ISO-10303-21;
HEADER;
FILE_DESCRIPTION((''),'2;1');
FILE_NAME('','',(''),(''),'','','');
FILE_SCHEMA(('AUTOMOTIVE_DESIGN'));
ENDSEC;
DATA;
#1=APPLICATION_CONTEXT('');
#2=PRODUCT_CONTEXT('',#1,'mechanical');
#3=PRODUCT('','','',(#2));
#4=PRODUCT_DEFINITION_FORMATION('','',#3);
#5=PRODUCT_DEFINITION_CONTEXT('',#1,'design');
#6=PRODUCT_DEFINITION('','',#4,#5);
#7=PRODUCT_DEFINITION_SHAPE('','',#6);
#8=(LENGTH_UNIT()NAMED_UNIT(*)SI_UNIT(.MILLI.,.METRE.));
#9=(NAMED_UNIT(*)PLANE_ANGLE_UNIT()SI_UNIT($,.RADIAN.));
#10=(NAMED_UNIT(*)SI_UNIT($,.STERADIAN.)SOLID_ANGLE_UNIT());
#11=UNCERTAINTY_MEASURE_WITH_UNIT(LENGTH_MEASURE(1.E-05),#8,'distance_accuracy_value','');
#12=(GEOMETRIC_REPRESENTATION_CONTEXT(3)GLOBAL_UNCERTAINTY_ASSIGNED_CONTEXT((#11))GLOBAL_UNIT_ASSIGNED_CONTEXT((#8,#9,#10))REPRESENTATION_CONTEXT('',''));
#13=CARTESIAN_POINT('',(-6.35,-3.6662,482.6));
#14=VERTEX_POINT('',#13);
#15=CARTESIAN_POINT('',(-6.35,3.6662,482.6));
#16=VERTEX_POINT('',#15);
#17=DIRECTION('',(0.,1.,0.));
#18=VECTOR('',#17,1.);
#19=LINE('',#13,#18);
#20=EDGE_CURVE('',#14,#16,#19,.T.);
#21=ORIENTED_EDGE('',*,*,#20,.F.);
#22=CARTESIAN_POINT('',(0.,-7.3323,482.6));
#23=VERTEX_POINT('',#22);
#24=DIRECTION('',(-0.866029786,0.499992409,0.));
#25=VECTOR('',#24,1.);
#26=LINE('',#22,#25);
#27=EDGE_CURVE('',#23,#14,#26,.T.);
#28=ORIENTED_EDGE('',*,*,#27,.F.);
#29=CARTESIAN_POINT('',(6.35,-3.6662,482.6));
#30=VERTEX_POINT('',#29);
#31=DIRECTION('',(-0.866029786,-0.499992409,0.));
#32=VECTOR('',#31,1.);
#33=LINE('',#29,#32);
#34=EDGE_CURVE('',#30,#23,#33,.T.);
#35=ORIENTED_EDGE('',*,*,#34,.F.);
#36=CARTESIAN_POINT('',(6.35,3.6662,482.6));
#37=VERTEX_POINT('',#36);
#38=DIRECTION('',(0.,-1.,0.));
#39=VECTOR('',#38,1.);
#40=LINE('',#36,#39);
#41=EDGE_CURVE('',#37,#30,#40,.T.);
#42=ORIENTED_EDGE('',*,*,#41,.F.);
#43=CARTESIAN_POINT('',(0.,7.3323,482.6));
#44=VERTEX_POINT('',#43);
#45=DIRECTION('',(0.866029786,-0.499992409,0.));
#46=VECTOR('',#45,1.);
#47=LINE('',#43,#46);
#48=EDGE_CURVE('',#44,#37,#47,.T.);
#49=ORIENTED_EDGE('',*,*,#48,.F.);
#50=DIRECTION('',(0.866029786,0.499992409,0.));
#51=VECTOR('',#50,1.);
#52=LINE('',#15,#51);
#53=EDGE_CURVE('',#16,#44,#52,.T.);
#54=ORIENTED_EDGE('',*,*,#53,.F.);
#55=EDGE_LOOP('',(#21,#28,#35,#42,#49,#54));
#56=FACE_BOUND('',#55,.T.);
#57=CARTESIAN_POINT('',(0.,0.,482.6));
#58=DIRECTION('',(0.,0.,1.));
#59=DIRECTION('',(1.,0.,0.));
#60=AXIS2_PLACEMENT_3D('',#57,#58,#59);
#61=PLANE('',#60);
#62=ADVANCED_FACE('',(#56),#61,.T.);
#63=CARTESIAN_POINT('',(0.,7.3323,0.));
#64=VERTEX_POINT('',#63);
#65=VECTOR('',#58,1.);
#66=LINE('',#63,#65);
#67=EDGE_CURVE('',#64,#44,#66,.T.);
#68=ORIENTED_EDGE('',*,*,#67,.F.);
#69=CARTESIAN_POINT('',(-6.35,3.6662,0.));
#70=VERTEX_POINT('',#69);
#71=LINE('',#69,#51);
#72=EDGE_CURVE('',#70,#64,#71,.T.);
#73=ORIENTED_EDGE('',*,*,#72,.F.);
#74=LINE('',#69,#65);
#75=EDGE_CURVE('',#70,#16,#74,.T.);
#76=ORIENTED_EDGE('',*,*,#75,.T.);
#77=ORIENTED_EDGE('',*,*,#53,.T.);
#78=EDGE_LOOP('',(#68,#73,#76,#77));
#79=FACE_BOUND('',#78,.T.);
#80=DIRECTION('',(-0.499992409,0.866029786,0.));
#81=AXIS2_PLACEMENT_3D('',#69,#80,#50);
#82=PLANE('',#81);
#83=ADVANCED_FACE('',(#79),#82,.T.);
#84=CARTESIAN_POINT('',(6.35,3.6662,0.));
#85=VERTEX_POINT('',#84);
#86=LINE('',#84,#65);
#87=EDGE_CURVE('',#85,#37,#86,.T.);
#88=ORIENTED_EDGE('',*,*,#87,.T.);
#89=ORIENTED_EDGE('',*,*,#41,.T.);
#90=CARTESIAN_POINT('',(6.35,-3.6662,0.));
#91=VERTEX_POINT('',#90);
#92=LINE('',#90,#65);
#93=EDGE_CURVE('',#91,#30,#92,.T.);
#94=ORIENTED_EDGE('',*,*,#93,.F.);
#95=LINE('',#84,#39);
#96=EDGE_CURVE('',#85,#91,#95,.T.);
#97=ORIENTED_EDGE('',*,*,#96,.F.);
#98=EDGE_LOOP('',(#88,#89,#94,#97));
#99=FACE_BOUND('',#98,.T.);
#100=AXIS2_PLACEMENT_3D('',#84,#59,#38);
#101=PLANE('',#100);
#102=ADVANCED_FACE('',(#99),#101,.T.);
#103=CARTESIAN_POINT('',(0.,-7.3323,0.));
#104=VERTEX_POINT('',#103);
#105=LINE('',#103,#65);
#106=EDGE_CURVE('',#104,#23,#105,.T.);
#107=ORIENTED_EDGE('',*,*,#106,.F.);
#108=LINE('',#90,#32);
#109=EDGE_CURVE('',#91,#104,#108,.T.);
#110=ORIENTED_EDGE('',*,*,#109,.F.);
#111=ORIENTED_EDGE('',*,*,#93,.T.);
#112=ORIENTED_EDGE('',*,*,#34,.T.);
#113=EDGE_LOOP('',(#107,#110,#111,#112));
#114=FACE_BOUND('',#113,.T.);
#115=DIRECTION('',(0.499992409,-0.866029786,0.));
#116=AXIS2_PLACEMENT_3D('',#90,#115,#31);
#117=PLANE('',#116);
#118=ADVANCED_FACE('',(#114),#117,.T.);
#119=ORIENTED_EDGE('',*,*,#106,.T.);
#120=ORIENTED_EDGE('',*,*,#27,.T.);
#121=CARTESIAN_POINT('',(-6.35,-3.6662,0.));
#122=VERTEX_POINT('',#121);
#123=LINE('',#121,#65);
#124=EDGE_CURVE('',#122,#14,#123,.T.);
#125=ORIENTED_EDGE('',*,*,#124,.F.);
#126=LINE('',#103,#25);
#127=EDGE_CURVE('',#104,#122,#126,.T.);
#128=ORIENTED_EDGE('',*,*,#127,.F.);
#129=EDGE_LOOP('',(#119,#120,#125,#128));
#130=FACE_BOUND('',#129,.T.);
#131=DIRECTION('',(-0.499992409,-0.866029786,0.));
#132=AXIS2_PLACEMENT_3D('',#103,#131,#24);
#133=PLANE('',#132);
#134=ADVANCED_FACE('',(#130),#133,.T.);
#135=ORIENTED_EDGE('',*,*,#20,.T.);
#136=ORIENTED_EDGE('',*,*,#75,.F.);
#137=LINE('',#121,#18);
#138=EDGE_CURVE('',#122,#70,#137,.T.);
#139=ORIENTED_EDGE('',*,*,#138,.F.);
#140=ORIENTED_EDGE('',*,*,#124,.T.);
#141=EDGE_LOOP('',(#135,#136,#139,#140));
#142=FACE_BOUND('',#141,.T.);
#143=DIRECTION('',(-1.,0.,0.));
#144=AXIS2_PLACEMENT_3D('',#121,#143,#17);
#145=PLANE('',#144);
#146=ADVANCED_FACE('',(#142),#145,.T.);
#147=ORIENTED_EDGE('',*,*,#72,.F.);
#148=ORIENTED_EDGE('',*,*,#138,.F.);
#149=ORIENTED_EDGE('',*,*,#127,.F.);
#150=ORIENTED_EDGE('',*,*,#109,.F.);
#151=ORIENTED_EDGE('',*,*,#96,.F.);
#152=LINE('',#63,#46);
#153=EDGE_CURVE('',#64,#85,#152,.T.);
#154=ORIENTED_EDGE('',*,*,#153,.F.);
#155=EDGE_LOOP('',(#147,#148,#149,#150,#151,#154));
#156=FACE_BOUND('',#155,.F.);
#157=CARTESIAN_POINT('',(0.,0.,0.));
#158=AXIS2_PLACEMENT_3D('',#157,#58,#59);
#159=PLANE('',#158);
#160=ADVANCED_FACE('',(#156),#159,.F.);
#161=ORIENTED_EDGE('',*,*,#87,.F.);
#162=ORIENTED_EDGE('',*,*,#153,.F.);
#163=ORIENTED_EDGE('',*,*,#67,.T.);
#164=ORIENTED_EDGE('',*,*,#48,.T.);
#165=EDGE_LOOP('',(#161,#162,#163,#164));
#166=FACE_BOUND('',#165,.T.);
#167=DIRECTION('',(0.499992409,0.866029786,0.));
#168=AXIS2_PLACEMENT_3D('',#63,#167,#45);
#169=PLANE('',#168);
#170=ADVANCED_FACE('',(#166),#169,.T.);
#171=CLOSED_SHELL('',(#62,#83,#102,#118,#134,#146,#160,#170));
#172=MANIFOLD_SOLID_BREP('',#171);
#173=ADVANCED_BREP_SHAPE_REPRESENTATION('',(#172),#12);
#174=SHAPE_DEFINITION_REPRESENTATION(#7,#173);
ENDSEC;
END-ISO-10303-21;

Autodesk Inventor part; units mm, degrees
ref_plane "YZ Plane" through (0, 0, 0) normal (1, 0, 0) x (0, 1, 0)
ref_plane "XZ Plane" through (0, 0, 0) normal (0, 1, 0) x (-1, 0, 0)
ref_plane "XY Plane" through (0, 0, 0) normal (0, 0, 1) x (1, 0, 0)
sketch "Sketch1" plane through (0, 0, 0) normal (0, 0, 1) x (1, 0, 0)
  line L0 (6.35, -3.6662) -> (0, -7.3323)
  line L1 (0, -7.3323) -> (-6.35, -3.6662)
  line L2 (-6.35, -3.6662) -> (-6.35, 3.6662)
  line L3 (-6.35, 3.6662) -> (0, 7.3323)
  line L4 (0, 7.3323) -> (6.35, 3.6662)
  line L5 (6.35, 3.6662) -> (6.35, -3.6662)
  point P0 (0, 0)
  point P1 (0, 0)
  dimension "d1" = 12.7
extrude "Extrusion1" add sketch "Sketch1" along normal blind 482.6
properties part number "Hex" material "Aluminum 6061"
